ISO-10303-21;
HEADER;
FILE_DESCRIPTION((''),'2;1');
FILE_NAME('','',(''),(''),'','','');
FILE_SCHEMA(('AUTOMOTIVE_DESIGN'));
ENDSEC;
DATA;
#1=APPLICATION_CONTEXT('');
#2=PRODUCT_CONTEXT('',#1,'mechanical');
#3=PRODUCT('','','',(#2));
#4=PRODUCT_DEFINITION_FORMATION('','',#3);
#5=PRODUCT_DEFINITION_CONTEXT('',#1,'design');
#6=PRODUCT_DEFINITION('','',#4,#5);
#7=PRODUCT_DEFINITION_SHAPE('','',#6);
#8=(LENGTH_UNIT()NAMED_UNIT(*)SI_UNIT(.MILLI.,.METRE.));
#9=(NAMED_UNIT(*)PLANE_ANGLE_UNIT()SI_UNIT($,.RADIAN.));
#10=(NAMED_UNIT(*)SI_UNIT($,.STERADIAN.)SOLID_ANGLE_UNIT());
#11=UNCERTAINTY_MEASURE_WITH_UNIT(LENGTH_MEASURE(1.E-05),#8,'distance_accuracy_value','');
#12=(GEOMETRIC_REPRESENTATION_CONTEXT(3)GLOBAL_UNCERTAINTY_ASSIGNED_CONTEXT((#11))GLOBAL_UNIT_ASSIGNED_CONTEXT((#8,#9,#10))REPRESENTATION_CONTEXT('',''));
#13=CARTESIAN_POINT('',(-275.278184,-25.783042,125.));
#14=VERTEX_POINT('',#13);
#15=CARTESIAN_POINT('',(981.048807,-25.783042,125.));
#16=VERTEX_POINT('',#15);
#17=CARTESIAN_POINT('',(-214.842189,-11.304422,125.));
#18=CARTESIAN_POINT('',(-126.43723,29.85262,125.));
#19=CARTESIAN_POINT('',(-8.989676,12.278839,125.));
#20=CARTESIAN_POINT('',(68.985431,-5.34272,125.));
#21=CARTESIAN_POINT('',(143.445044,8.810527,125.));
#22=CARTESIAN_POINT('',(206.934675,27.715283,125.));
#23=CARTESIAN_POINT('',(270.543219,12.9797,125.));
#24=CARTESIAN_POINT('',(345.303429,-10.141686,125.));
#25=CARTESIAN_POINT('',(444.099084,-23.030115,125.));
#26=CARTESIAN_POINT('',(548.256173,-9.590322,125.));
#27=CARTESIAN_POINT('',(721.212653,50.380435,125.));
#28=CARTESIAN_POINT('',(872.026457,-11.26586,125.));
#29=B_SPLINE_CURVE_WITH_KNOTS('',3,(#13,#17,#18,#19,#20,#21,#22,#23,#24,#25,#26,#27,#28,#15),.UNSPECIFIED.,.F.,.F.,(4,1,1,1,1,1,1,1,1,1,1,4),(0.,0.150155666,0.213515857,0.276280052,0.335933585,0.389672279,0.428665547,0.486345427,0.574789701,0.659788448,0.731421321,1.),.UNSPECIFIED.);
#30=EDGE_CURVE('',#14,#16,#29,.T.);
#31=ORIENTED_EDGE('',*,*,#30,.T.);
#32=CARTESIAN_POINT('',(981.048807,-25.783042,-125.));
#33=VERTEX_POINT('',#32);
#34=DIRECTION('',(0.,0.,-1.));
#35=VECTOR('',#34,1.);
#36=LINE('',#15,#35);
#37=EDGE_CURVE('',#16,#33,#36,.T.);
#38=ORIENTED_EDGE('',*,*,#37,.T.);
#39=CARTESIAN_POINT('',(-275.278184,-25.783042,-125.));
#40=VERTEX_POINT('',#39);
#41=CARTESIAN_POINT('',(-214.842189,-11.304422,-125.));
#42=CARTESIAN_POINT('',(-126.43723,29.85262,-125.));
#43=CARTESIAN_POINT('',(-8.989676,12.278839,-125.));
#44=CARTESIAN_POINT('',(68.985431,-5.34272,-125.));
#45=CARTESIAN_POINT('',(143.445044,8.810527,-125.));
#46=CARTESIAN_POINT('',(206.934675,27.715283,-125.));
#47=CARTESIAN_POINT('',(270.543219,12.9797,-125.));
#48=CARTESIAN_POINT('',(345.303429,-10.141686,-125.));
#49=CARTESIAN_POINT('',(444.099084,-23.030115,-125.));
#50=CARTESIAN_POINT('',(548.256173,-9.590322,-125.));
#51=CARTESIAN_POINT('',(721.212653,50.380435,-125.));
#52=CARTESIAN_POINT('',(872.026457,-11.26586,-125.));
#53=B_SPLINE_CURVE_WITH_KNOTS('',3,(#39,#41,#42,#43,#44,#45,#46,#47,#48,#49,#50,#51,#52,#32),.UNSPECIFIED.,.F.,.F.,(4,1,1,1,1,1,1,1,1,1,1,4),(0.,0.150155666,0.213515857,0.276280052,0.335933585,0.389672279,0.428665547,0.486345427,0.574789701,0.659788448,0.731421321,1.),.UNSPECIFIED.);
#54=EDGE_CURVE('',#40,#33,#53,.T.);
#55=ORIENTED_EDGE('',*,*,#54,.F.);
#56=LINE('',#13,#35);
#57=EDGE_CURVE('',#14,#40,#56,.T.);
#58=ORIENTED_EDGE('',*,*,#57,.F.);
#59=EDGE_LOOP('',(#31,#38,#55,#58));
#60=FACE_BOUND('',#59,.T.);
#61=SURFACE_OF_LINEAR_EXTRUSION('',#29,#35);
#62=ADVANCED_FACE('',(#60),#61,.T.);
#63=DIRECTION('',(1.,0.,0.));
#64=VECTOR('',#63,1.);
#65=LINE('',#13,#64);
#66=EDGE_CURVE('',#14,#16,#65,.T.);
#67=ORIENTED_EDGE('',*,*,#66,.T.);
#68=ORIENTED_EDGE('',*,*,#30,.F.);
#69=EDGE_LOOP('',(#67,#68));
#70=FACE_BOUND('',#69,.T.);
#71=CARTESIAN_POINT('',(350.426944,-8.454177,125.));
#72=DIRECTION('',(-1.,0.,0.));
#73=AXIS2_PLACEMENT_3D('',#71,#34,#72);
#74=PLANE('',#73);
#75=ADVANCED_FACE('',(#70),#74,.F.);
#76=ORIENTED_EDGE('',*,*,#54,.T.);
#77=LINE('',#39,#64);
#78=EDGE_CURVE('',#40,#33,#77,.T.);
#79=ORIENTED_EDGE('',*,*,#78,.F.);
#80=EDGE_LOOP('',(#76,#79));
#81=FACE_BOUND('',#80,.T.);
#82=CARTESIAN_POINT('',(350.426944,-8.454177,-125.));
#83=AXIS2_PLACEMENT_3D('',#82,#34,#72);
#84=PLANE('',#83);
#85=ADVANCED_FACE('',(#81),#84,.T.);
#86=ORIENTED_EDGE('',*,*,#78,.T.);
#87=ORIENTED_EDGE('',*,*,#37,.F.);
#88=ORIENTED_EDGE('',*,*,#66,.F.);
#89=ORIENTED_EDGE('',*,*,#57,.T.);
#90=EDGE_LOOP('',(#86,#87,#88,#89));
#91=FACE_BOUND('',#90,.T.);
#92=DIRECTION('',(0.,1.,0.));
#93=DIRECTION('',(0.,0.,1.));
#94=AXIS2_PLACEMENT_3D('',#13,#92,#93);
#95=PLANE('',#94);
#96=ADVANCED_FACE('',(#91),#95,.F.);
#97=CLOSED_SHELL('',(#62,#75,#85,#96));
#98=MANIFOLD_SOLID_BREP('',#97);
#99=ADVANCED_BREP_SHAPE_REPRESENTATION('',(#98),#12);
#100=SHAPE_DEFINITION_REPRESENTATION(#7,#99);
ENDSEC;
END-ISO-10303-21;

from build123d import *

# Parameters (mm, degrees)
EXTRUDE_2_DEPTH = 125


with BuildPart() as part:
    # 草图1 → 凸台-拉伸2 (new body, symmetric)
    with BuildSketch(Plane.XY):
        with BuildLine():
            Line((-275.27818408, -25.783042496), (981.04880688, -25.783042496))
            add(Edge.make_bspline(
                [(-275.27818408, -25.783042496), (-214.842189299, -11.304422447), (-126.437229666, 29.852619909), (-8.989675912, 12.278838897), (68.985431184, -5.342719709), (143.445044402, 8.810527131), (206.934674698, 27.715282674), (270.543218903, 12.979700321), (345.303429457, -10.141685603), (444.099083616, -23.030114611), (548.256173339, -9.590322373), (721.212653194, 50.380434936), (872.026456766, -11.265860376), (981.04880688, -25.783042496)],
                knots=[0, 0, 0, 0, 0.150155666, 0.213515857, 0.276280052, 0.335933585, 0.389672279, 0.428665547, 0.486345427, 0.574789701, 0.659788448, 0.731421321, 1, 1, 1, 1], degree=3))
        make_face()
    extrude(amount=EXTRUDE_2_DEPTH, both=True)


solid = part.part
